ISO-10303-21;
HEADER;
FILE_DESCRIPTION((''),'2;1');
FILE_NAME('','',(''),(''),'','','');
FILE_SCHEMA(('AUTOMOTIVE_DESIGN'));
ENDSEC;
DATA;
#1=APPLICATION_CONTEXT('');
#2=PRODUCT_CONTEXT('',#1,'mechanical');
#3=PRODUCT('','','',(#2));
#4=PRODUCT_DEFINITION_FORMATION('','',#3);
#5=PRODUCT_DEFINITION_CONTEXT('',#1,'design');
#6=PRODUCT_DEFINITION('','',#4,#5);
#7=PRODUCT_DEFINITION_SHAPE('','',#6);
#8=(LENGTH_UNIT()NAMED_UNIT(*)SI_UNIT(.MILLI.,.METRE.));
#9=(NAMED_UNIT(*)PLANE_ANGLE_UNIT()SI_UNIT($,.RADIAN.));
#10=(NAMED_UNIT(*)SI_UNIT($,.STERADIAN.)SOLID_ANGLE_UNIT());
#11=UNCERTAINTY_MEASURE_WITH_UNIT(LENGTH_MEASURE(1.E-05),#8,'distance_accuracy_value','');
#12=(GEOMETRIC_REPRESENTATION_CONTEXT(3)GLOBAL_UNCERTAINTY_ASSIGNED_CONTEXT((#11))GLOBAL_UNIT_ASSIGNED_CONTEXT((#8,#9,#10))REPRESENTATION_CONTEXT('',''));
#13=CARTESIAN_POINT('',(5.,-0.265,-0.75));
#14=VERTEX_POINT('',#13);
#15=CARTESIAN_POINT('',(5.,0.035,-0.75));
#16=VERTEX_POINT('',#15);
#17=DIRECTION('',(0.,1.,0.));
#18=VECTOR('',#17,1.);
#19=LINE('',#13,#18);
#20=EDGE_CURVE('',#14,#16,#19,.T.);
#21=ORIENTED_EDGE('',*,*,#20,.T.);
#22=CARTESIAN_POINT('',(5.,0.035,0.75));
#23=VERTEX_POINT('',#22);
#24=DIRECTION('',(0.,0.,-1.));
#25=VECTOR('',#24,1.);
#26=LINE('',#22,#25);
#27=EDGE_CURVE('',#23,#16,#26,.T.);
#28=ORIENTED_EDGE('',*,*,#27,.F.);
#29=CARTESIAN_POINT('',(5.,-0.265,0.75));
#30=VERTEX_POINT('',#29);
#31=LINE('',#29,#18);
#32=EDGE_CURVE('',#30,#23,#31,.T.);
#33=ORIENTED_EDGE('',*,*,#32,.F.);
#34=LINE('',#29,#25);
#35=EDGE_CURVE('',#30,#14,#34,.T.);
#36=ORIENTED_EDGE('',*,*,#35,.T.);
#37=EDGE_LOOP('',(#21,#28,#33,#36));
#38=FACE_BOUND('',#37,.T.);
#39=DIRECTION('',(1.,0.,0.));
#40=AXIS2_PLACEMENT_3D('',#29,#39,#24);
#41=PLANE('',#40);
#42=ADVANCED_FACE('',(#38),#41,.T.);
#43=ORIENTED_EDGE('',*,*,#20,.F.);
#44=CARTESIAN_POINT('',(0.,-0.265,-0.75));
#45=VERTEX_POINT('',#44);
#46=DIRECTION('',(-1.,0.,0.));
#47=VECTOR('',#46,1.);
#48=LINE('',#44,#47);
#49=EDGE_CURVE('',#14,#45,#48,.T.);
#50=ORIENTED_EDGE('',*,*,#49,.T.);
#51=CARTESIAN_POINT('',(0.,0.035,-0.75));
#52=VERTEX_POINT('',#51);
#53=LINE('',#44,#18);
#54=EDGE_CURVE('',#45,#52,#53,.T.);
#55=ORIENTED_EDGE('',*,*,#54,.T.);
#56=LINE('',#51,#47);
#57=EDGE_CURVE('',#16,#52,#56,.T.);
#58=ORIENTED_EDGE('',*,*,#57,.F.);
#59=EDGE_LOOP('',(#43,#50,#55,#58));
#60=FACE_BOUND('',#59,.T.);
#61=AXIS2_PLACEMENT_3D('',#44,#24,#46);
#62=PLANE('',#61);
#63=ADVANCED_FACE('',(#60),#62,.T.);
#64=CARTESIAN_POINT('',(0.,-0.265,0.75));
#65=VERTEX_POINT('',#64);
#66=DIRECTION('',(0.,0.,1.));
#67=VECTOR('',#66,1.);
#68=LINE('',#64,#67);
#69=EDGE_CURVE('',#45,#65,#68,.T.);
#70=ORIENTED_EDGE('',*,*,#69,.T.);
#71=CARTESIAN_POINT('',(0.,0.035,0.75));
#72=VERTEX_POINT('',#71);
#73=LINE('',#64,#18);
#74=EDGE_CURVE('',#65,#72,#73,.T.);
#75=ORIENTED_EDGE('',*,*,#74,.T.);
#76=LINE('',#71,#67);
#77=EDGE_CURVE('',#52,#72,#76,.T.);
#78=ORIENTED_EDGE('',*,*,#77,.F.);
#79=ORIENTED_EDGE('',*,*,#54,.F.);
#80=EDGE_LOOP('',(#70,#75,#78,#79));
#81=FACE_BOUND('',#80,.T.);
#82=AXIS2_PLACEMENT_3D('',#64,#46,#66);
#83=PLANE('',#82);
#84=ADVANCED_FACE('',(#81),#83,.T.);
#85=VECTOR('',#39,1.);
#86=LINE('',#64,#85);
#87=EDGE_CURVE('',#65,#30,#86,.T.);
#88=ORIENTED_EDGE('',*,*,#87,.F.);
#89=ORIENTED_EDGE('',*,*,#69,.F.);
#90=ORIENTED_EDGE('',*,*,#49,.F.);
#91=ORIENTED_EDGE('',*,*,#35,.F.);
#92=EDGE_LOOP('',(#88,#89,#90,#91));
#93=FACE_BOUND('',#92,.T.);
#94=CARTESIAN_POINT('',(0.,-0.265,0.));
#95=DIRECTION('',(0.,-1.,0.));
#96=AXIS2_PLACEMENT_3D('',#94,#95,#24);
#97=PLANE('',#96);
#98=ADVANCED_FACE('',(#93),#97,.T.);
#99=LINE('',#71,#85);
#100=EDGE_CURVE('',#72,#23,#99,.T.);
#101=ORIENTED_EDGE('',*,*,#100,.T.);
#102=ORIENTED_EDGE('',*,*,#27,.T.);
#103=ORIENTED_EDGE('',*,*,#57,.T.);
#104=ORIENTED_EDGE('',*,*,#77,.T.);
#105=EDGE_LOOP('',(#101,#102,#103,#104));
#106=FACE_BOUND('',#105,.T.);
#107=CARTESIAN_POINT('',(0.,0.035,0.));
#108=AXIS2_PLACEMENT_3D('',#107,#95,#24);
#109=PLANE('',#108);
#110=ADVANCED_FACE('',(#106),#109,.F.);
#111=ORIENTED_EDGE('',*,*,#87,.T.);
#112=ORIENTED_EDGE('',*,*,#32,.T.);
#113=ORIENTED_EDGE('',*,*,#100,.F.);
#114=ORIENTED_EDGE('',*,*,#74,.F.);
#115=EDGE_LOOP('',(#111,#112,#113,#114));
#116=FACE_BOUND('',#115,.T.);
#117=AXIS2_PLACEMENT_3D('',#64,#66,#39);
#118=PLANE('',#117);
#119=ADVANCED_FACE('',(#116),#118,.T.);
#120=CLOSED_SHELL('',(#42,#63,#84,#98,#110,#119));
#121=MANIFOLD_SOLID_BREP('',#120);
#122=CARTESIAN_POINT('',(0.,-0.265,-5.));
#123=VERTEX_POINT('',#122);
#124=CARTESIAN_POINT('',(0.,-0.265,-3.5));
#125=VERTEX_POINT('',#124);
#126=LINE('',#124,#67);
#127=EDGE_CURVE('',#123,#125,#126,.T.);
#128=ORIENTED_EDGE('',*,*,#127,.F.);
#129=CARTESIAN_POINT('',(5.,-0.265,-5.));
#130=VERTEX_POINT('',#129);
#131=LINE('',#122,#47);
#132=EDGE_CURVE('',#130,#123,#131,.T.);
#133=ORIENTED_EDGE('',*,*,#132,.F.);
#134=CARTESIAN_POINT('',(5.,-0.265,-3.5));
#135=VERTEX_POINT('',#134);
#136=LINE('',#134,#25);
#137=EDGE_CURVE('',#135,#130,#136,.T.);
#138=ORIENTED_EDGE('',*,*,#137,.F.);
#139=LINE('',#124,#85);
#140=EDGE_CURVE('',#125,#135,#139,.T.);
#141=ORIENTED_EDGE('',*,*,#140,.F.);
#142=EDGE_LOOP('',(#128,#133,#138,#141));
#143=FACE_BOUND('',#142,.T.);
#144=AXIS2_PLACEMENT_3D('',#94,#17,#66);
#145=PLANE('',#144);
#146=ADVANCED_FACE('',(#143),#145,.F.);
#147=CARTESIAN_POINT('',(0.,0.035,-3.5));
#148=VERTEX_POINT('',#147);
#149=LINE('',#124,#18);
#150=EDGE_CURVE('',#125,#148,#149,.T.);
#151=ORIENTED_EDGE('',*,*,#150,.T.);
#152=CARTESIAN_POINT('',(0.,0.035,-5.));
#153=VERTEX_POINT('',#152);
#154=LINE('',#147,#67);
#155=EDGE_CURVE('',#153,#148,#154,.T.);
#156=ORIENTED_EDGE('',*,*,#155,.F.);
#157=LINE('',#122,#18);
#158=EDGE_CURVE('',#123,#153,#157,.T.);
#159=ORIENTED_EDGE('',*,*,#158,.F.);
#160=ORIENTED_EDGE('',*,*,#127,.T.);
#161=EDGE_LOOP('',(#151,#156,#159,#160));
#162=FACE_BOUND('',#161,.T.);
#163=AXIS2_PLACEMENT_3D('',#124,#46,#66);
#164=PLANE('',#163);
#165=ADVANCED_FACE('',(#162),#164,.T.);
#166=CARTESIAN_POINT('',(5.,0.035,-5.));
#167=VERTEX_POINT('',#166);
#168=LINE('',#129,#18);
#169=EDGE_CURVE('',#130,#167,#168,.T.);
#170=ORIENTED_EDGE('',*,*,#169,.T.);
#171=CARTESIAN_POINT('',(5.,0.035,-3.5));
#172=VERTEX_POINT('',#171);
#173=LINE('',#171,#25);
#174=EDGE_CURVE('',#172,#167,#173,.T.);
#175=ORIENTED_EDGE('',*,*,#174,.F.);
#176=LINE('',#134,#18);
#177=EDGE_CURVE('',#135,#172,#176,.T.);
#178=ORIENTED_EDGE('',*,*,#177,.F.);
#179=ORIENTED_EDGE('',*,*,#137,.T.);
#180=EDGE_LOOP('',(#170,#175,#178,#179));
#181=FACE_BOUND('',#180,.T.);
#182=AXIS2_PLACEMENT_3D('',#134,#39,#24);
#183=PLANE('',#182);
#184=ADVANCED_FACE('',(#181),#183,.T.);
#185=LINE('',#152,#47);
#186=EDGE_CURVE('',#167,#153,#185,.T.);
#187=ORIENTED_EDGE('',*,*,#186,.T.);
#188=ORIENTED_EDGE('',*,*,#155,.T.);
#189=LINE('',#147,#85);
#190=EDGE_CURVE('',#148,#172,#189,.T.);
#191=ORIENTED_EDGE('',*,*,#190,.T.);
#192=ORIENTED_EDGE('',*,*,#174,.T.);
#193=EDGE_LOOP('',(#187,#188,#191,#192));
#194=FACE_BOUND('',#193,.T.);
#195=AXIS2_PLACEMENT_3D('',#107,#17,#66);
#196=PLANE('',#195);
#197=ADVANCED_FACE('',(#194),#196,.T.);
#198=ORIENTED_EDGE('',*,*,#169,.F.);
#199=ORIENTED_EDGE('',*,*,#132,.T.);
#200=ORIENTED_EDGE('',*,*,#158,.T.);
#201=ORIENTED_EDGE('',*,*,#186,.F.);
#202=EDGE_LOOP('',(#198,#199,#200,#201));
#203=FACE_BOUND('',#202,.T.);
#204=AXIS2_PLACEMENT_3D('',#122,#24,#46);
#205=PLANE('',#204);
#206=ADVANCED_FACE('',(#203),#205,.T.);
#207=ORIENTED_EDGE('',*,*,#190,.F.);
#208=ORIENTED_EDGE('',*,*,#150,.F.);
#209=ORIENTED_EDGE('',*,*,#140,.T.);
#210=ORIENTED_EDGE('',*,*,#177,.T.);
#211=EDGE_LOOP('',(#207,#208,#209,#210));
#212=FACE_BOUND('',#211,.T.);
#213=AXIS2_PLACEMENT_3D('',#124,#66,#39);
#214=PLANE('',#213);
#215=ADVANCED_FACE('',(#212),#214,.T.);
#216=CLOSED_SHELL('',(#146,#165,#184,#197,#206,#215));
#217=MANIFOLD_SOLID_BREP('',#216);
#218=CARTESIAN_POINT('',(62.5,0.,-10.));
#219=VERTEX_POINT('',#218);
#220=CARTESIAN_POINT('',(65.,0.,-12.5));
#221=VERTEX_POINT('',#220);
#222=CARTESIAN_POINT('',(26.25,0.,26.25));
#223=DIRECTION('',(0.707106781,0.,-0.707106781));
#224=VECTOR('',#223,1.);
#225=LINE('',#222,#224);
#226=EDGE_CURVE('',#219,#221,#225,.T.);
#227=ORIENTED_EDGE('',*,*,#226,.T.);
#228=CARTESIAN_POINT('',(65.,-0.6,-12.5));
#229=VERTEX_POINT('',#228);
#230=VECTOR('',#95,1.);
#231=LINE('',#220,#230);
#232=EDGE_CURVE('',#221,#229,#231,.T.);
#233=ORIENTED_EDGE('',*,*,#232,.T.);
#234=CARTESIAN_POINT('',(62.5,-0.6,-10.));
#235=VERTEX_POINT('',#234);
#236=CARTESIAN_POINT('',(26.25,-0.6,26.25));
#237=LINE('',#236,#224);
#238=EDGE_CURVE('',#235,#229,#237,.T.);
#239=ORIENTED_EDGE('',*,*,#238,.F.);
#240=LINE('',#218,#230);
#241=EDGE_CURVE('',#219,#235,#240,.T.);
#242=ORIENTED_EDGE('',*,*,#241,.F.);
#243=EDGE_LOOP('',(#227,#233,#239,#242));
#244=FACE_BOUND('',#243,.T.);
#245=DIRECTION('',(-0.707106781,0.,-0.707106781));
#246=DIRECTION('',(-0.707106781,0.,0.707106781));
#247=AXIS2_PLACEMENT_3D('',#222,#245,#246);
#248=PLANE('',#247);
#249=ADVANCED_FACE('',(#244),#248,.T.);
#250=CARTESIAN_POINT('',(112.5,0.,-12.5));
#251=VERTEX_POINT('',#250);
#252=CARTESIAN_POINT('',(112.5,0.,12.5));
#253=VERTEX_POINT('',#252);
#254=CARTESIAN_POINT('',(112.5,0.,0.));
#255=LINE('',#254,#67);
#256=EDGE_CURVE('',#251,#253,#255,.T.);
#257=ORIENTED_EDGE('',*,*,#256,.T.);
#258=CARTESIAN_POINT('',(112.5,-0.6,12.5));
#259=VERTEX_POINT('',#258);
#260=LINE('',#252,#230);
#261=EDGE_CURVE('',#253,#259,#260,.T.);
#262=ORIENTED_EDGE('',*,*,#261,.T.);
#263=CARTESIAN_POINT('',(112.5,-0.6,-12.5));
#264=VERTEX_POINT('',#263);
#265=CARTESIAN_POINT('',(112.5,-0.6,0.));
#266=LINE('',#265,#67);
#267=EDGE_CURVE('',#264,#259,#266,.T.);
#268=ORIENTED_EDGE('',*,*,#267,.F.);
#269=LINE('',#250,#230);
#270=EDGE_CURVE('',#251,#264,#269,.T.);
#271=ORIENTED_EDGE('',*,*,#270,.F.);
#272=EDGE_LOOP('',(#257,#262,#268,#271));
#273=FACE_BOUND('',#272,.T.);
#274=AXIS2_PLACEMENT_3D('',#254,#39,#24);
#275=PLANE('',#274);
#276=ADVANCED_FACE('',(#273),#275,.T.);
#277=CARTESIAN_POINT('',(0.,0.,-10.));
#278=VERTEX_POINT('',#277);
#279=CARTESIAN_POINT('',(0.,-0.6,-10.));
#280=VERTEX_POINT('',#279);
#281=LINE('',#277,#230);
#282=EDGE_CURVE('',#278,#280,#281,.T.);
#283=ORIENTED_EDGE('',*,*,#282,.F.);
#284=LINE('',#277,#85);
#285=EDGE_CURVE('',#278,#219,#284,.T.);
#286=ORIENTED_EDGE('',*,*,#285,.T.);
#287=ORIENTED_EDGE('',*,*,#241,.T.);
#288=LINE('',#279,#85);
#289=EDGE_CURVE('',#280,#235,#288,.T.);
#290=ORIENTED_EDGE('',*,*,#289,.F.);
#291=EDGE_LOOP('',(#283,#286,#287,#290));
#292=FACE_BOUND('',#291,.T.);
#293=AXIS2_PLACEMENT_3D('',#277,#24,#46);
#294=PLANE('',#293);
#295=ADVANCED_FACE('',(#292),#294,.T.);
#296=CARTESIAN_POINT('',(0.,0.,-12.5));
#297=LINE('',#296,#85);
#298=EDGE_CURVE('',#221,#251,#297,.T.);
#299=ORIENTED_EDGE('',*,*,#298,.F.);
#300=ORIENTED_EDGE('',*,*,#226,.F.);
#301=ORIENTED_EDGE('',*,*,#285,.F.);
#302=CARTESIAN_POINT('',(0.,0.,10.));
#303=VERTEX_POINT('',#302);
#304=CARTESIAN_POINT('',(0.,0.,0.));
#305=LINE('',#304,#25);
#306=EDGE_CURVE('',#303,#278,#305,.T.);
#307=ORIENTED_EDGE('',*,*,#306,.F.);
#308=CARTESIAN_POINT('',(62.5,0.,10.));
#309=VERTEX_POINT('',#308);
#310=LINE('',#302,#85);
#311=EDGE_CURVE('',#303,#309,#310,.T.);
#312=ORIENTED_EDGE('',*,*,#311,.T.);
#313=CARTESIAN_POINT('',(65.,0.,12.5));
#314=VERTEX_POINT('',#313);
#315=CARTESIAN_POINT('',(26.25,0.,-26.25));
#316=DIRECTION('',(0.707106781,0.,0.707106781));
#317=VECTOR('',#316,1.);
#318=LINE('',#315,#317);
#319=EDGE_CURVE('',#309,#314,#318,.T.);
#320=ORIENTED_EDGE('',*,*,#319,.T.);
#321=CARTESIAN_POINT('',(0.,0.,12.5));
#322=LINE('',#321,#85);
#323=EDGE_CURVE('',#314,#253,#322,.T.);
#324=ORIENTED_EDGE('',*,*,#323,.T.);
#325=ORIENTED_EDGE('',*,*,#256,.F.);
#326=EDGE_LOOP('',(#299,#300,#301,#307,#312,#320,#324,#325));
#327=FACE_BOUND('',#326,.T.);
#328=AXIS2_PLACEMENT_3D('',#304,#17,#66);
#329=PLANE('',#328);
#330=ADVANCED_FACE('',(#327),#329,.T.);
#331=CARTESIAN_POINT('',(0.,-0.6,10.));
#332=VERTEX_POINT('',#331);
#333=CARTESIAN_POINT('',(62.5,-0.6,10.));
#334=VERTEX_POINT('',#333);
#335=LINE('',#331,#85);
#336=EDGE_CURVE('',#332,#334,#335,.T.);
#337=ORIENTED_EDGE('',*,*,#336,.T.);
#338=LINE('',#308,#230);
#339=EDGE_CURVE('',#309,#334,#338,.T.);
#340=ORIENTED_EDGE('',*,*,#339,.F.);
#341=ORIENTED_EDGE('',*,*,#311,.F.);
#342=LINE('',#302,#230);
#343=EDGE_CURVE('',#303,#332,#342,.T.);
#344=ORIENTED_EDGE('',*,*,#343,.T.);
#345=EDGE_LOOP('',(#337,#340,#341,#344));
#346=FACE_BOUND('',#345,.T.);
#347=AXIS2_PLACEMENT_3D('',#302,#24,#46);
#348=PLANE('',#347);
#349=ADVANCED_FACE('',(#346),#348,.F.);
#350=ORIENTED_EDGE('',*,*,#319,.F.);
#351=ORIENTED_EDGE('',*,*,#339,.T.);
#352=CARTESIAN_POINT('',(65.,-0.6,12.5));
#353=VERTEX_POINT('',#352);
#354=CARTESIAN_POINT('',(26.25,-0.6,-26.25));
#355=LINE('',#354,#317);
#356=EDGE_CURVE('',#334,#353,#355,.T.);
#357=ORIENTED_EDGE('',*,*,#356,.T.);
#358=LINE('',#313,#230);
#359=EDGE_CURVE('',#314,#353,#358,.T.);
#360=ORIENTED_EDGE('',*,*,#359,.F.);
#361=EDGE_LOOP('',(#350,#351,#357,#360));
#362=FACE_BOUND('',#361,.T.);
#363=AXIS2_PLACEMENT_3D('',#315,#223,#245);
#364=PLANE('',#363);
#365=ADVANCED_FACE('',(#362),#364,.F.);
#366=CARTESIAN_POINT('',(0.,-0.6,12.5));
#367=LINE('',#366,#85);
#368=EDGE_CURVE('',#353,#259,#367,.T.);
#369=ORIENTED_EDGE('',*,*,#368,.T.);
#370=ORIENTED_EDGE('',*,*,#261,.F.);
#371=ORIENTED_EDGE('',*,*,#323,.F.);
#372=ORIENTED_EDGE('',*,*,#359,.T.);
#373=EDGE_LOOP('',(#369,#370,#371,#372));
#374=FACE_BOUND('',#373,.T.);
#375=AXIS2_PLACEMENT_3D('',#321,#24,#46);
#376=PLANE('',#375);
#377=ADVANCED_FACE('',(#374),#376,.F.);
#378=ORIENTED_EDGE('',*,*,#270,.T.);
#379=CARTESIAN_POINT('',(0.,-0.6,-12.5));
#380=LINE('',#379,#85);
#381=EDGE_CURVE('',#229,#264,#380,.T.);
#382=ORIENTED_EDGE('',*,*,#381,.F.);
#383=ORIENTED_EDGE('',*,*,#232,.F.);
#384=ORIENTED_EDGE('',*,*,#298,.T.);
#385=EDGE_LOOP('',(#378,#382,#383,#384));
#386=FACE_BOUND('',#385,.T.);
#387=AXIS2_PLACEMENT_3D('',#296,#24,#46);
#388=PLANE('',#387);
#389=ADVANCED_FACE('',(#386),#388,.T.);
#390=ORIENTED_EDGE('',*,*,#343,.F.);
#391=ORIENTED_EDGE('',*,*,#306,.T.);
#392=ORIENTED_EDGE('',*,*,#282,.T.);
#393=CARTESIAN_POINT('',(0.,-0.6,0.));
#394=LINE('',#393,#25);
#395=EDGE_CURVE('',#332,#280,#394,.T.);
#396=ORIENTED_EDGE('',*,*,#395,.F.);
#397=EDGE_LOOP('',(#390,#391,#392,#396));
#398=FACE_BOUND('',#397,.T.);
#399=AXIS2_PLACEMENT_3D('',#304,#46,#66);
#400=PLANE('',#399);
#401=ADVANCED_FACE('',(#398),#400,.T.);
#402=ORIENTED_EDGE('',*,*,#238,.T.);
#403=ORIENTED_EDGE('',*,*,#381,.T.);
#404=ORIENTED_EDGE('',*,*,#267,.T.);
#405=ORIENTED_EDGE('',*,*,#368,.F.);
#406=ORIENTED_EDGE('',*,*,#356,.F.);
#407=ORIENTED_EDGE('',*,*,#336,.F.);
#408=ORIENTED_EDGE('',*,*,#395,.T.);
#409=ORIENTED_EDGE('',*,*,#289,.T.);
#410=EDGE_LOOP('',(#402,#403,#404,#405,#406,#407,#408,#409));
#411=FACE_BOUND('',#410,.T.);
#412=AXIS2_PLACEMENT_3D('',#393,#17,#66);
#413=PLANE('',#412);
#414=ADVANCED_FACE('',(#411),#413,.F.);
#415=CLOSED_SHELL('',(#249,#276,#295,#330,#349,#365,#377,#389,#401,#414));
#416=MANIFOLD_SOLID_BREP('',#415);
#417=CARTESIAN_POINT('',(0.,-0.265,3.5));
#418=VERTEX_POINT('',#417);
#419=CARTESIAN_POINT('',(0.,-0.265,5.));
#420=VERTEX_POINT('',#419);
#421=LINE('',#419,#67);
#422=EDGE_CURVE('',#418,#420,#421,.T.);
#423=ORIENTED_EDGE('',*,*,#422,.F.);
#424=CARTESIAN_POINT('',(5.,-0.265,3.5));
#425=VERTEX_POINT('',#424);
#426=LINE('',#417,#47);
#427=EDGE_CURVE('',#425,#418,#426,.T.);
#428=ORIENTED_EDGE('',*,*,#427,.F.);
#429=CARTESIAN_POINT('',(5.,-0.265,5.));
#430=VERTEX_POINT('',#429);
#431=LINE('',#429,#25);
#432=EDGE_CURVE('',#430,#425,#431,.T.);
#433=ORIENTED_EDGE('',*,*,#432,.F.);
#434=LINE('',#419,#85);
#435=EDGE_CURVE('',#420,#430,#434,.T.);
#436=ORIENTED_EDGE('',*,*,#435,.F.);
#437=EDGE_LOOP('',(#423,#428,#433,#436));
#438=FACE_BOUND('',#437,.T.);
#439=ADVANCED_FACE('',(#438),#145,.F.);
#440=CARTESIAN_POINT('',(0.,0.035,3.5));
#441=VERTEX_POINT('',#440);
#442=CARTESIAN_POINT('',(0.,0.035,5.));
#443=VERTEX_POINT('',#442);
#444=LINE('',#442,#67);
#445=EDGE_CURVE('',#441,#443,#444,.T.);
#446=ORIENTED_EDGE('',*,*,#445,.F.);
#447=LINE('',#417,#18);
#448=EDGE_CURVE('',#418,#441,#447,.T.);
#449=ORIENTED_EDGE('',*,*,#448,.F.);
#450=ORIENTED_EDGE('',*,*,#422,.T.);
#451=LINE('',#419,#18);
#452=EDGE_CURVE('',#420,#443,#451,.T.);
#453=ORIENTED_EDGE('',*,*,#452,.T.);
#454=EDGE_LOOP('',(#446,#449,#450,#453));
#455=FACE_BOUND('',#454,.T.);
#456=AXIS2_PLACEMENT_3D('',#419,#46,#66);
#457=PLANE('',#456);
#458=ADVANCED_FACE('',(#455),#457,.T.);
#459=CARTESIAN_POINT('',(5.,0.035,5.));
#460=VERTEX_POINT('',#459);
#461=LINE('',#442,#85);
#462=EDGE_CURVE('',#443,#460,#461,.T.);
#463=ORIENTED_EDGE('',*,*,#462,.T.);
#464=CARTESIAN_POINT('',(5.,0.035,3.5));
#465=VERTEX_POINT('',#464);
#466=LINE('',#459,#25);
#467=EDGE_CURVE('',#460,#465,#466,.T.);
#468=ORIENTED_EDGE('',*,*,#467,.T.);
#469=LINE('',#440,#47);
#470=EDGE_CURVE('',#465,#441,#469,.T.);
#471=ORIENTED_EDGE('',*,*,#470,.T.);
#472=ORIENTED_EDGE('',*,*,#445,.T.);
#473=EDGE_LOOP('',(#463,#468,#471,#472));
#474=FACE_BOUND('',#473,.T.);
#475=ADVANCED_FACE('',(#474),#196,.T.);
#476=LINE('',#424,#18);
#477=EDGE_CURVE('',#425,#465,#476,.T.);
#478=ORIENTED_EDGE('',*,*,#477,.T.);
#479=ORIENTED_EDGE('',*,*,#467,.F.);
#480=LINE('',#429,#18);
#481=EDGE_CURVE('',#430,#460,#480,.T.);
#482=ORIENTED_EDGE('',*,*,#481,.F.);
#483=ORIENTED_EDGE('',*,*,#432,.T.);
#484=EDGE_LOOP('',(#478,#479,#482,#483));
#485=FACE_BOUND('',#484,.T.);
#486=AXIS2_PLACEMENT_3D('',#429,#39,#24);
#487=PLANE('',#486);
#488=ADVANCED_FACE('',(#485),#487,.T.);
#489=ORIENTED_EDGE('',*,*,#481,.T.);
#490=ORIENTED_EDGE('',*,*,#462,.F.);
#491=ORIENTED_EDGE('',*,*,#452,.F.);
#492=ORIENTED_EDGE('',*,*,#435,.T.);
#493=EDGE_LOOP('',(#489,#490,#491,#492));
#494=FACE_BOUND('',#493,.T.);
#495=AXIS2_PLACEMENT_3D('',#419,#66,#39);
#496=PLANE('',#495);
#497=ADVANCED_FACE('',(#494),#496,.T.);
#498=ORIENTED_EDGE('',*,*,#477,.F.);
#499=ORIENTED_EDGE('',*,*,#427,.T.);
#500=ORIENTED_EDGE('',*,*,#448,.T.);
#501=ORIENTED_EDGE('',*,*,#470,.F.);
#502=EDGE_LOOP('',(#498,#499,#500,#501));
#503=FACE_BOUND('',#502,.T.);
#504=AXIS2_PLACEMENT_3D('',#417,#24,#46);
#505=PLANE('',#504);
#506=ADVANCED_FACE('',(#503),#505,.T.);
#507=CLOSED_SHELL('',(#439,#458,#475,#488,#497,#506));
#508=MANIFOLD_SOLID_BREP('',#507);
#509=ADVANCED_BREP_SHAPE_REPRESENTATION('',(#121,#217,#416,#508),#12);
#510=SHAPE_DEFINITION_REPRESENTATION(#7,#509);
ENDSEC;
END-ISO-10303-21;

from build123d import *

# Parameters (mm, degrees)
BOSS_EXTRUDE1_START   = -0.6
SKETCH1_W             = 62.5
SKETCH1_H             = 20
SKETCH1_W_2           = 47.5
SKETCH1_H_2           = 25
BOSS_EXTRUDE1_DEPTH   = 0.6
BOSS_EXTRUDE2_START   = 0.035
SKETCH2_W             = 5
SKETCH2_H             = 1.5
BOSS_EXTRUDE2_DEPTH   = 0.3
BOSS_EXTRUDE2_2_DEPTH = 0.3
BOSS_EXTRUDE2_3_DEPTH = 0.3


with BuildPart() as part:
    # Sketch1 → Boss-Extrude1 (new body)
    with BuildSketch(Plane(origin=(0, 0, 0), x_dir=(1, 0, 0), z_dir=(0, 1, 0)).offset(BOSS_EXTRUDE1_START)):
        with Locations((31.25, 0)):
            Rectangle(SKETCH1_W, SKETCH1_H)
        Polygon((65, 12.5), (65, -12.5), (62.5, -10), (62.5, 10), align=None)
        with Locations((88.75, 0)):
            Rectangle(SKETCH1_W_2, SKETCH1_H_2)
    extrude(amount=BOSS_EXTRUDE1_DEPTH)


with BuildPart() as body_2:
    # Sketch2 → Boss-Extrude2 (new body)
    with BuildSketch(Plane(origin=(0, 0, 0), x_dir=(1, 0, 0), z_dir=(0, 1, 0)).offset(BOSS_EXTRUDE2_START)):
        with Locations((2.5, 0)):
            Rectangle(SKETCH2_W, SKETCH2_H)
    extrude(amount=-BOSS_EXTRUDE2_DEPTH)


with BuildPart() as body_3:
    # Sketch2 → Boss-Extrude2 2 (new body)
    with BuildSketch(Plane(origin=(0, 0, 0), x_dir=(1, 0, 0), z_dir=(0, 1, 0)).offset(BOSS_EXTRUDE2_START)):
        with Locations((2.5, 4.25)):
            Rectangle(SKETCH2_W, SKETCH2_H)
    extrude(amount=-BOSS_EXTRUDE2_2_DEPTH)


with BuildPart() as body_4:
    # Sketch2 → Boss-Extrude2 3 (new body)
    with BuildSketch(Plane(origin=(0, 0, 0), x_dir=(1, 0, 0), z_dir=(0, 1, 0)).offset(BOSS_EXTRUDE2_START)):
        with Locations((2.5, -4.25)):
            Rectangle(SKETCH2_W, SKETCH2_H)
    extrude(amount=-BOSS_EXTRUDE2_3_DEPTH)


solid = Compound([part.part, body_2.part, body_3.part, body_4.part])
